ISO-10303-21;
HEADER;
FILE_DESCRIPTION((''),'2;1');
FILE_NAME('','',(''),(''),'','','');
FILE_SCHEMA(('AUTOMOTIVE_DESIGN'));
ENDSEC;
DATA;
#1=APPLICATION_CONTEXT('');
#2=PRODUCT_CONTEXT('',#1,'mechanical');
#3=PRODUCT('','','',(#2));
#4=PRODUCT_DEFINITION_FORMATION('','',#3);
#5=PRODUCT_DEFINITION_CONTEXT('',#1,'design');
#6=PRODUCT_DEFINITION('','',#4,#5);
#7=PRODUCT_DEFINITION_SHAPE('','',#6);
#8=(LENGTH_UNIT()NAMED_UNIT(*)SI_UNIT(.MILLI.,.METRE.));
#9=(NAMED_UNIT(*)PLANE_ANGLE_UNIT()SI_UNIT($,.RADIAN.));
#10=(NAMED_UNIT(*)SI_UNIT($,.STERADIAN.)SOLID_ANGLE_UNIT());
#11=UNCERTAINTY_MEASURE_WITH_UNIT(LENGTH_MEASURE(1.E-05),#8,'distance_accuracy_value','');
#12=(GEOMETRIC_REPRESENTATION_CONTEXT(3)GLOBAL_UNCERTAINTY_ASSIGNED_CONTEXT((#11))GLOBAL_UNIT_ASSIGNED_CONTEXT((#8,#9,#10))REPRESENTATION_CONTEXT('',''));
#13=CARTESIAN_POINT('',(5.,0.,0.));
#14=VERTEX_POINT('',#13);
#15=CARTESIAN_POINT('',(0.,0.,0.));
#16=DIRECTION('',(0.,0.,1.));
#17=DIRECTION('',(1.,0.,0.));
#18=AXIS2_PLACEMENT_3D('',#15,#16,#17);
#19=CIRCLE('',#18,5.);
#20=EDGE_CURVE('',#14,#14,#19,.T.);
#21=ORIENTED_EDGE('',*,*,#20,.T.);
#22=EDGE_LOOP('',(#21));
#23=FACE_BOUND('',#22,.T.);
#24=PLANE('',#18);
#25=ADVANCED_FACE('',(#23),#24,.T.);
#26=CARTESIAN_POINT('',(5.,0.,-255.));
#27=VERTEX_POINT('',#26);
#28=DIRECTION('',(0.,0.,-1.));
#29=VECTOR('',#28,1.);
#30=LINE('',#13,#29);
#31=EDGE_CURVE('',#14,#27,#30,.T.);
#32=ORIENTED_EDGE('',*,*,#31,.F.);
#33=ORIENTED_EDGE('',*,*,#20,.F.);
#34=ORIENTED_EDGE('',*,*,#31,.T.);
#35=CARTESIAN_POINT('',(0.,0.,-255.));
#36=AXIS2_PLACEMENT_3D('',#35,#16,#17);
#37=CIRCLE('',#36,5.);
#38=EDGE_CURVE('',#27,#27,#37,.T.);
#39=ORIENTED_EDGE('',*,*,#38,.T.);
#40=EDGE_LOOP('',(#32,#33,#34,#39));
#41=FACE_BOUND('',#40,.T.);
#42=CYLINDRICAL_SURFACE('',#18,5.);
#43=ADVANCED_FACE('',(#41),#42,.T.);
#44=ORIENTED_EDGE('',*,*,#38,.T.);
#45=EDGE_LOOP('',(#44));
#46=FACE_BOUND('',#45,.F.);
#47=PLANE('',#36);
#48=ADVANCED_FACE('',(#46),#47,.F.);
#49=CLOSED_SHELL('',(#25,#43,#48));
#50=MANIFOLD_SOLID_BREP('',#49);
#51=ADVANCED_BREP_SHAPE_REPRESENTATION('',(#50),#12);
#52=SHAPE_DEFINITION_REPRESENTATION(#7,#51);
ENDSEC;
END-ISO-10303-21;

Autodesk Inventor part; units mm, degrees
ref_plane "YZ Plane" through (0, 0, 0) normal (1, 0, 0) x (0, 1, 0)
ref_plane "XZ Plane" through (0, 0, 0) normal (0, 1, 0) x (-1, 0, 0)
ref_plane "XY Plane" through (0, 0, 0) normal (0, 0, 1) x (1, 0, 0)
sketch "草圖1" plane through (0, 0, 0) normal (0, 0, 1) x (1, 0, 0)
  circle A0 centre (0, 0) radius 5
  dimension "d0" = 10
extrude "擠出1" add sketch "草圖1" against normal blind 255
properties part number "0331"
